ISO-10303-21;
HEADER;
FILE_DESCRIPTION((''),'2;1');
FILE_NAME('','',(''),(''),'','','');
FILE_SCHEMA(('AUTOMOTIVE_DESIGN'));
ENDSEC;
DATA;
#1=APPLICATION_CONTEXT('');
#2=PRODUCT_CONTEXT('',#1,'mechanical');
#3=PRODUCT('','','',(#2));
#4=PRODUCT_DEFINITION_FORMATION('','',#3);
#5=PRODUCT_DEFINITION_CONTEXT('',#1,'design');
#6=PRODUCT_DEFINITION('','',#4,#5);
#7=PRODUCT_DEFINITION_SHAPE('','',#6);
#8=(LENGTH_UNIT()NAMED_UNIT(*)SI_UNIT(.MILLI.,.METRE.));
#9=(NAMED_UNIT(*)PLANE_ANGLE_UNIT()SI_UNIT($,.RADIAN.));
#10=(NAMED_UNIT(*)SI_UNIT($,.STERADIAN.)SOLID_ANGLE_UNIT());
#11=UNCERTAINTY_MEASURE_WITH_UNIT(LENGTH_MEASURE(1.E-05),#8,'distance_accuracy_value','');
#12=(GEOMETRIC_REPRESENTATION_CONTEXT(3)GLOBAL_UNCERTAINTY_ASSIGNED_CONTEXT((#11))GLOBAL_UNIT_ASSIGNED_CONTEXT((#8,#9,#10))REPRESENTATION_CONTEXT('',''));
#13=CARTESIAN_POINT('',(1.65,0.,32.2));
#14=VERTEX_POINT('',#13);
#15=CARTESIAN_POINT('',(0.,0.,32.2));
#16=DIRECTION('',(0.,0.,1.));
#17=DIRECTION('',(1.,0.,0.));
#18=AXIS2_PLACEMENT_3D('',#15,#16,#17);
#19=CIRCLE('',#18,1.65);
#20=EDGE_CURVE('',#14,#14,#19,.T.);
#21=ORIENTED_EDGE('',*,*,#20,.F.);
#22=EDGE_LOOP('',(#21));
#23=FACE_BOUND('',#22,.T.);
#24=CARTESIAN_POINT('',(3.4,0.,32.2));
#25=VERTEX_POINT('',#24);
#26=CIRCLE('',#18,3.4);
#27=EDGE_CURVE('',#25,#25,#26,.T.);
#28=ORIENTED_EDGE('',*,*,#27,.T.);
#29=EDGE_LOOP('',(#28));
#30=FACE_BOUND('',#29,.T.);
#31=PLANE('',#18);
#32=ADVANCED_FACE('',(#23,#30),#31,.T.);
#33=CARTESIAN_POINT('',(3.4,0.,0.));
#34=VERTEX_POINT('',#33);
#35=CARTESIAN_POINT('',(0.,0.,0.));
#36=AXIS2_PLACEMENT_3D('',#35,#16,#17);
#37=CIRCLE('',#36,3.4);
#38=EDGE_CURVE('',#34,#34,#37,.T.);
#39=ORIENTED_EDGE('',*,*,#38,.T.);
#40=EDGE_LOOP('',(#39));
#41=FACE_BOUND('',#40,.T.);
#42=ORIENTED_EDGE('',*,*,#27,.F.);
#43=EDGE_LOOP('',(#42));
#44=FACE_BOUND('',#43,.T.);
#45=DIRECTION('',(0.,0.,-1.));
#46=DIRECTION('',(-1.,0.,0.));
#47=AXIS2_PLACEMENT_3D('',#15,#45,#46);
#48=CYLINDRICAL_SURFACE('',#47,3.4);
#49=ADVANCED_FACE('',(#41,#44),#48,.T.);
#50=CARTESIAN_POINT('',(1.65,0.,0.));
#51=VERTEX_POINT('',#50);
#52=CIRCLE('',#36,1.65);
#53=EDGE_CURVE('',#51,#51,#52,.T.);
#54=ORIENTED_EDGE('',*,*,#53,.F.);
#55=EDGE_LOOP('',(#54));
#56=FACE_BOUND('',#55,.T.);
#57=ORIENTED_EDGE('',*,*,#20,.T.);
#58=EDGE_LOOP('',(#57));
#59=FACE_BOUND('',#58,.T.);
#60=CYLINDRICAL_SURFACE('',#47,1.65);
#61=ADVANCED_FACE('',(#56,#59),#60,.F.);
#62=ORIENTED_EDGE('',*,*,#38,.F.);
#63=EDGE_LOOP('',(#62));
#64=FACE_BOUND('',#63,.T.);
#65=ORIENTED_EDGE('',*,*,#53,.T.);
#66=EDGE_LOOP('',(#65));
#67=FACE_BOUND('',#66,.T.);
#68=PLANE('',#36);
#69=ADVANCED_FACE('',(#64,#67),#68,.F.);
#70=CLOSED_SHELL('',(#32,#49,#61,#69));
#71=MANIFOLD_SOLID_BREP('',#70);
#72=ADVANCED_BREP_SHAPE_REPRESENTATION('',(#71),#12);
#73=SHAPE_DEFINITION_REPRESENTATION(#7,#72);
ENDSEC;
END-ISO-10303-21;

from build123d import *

# Parameters (mm, degrees)
M3_CLEARANCE_PROFILE_R   = 3.4
M3_CLEARANCE_PROFILE_R_2 = 1.65
M3_CLEARANCE_DEPTH       = 32.2


with BuildPart() as part:
    # M3 clearance profile → M3 clearance (new body)
    with BuildSketch(Plane.XY):
        Circle(M3_CLEARANCE_PROFILE_R)
        Circle(M3_CLEARANCE_PROFILE_R_2, mode=Mode.SUBTRACT)
    extrude(amount=M3_CLEARANCE_DEPTH)


solid = part.part
